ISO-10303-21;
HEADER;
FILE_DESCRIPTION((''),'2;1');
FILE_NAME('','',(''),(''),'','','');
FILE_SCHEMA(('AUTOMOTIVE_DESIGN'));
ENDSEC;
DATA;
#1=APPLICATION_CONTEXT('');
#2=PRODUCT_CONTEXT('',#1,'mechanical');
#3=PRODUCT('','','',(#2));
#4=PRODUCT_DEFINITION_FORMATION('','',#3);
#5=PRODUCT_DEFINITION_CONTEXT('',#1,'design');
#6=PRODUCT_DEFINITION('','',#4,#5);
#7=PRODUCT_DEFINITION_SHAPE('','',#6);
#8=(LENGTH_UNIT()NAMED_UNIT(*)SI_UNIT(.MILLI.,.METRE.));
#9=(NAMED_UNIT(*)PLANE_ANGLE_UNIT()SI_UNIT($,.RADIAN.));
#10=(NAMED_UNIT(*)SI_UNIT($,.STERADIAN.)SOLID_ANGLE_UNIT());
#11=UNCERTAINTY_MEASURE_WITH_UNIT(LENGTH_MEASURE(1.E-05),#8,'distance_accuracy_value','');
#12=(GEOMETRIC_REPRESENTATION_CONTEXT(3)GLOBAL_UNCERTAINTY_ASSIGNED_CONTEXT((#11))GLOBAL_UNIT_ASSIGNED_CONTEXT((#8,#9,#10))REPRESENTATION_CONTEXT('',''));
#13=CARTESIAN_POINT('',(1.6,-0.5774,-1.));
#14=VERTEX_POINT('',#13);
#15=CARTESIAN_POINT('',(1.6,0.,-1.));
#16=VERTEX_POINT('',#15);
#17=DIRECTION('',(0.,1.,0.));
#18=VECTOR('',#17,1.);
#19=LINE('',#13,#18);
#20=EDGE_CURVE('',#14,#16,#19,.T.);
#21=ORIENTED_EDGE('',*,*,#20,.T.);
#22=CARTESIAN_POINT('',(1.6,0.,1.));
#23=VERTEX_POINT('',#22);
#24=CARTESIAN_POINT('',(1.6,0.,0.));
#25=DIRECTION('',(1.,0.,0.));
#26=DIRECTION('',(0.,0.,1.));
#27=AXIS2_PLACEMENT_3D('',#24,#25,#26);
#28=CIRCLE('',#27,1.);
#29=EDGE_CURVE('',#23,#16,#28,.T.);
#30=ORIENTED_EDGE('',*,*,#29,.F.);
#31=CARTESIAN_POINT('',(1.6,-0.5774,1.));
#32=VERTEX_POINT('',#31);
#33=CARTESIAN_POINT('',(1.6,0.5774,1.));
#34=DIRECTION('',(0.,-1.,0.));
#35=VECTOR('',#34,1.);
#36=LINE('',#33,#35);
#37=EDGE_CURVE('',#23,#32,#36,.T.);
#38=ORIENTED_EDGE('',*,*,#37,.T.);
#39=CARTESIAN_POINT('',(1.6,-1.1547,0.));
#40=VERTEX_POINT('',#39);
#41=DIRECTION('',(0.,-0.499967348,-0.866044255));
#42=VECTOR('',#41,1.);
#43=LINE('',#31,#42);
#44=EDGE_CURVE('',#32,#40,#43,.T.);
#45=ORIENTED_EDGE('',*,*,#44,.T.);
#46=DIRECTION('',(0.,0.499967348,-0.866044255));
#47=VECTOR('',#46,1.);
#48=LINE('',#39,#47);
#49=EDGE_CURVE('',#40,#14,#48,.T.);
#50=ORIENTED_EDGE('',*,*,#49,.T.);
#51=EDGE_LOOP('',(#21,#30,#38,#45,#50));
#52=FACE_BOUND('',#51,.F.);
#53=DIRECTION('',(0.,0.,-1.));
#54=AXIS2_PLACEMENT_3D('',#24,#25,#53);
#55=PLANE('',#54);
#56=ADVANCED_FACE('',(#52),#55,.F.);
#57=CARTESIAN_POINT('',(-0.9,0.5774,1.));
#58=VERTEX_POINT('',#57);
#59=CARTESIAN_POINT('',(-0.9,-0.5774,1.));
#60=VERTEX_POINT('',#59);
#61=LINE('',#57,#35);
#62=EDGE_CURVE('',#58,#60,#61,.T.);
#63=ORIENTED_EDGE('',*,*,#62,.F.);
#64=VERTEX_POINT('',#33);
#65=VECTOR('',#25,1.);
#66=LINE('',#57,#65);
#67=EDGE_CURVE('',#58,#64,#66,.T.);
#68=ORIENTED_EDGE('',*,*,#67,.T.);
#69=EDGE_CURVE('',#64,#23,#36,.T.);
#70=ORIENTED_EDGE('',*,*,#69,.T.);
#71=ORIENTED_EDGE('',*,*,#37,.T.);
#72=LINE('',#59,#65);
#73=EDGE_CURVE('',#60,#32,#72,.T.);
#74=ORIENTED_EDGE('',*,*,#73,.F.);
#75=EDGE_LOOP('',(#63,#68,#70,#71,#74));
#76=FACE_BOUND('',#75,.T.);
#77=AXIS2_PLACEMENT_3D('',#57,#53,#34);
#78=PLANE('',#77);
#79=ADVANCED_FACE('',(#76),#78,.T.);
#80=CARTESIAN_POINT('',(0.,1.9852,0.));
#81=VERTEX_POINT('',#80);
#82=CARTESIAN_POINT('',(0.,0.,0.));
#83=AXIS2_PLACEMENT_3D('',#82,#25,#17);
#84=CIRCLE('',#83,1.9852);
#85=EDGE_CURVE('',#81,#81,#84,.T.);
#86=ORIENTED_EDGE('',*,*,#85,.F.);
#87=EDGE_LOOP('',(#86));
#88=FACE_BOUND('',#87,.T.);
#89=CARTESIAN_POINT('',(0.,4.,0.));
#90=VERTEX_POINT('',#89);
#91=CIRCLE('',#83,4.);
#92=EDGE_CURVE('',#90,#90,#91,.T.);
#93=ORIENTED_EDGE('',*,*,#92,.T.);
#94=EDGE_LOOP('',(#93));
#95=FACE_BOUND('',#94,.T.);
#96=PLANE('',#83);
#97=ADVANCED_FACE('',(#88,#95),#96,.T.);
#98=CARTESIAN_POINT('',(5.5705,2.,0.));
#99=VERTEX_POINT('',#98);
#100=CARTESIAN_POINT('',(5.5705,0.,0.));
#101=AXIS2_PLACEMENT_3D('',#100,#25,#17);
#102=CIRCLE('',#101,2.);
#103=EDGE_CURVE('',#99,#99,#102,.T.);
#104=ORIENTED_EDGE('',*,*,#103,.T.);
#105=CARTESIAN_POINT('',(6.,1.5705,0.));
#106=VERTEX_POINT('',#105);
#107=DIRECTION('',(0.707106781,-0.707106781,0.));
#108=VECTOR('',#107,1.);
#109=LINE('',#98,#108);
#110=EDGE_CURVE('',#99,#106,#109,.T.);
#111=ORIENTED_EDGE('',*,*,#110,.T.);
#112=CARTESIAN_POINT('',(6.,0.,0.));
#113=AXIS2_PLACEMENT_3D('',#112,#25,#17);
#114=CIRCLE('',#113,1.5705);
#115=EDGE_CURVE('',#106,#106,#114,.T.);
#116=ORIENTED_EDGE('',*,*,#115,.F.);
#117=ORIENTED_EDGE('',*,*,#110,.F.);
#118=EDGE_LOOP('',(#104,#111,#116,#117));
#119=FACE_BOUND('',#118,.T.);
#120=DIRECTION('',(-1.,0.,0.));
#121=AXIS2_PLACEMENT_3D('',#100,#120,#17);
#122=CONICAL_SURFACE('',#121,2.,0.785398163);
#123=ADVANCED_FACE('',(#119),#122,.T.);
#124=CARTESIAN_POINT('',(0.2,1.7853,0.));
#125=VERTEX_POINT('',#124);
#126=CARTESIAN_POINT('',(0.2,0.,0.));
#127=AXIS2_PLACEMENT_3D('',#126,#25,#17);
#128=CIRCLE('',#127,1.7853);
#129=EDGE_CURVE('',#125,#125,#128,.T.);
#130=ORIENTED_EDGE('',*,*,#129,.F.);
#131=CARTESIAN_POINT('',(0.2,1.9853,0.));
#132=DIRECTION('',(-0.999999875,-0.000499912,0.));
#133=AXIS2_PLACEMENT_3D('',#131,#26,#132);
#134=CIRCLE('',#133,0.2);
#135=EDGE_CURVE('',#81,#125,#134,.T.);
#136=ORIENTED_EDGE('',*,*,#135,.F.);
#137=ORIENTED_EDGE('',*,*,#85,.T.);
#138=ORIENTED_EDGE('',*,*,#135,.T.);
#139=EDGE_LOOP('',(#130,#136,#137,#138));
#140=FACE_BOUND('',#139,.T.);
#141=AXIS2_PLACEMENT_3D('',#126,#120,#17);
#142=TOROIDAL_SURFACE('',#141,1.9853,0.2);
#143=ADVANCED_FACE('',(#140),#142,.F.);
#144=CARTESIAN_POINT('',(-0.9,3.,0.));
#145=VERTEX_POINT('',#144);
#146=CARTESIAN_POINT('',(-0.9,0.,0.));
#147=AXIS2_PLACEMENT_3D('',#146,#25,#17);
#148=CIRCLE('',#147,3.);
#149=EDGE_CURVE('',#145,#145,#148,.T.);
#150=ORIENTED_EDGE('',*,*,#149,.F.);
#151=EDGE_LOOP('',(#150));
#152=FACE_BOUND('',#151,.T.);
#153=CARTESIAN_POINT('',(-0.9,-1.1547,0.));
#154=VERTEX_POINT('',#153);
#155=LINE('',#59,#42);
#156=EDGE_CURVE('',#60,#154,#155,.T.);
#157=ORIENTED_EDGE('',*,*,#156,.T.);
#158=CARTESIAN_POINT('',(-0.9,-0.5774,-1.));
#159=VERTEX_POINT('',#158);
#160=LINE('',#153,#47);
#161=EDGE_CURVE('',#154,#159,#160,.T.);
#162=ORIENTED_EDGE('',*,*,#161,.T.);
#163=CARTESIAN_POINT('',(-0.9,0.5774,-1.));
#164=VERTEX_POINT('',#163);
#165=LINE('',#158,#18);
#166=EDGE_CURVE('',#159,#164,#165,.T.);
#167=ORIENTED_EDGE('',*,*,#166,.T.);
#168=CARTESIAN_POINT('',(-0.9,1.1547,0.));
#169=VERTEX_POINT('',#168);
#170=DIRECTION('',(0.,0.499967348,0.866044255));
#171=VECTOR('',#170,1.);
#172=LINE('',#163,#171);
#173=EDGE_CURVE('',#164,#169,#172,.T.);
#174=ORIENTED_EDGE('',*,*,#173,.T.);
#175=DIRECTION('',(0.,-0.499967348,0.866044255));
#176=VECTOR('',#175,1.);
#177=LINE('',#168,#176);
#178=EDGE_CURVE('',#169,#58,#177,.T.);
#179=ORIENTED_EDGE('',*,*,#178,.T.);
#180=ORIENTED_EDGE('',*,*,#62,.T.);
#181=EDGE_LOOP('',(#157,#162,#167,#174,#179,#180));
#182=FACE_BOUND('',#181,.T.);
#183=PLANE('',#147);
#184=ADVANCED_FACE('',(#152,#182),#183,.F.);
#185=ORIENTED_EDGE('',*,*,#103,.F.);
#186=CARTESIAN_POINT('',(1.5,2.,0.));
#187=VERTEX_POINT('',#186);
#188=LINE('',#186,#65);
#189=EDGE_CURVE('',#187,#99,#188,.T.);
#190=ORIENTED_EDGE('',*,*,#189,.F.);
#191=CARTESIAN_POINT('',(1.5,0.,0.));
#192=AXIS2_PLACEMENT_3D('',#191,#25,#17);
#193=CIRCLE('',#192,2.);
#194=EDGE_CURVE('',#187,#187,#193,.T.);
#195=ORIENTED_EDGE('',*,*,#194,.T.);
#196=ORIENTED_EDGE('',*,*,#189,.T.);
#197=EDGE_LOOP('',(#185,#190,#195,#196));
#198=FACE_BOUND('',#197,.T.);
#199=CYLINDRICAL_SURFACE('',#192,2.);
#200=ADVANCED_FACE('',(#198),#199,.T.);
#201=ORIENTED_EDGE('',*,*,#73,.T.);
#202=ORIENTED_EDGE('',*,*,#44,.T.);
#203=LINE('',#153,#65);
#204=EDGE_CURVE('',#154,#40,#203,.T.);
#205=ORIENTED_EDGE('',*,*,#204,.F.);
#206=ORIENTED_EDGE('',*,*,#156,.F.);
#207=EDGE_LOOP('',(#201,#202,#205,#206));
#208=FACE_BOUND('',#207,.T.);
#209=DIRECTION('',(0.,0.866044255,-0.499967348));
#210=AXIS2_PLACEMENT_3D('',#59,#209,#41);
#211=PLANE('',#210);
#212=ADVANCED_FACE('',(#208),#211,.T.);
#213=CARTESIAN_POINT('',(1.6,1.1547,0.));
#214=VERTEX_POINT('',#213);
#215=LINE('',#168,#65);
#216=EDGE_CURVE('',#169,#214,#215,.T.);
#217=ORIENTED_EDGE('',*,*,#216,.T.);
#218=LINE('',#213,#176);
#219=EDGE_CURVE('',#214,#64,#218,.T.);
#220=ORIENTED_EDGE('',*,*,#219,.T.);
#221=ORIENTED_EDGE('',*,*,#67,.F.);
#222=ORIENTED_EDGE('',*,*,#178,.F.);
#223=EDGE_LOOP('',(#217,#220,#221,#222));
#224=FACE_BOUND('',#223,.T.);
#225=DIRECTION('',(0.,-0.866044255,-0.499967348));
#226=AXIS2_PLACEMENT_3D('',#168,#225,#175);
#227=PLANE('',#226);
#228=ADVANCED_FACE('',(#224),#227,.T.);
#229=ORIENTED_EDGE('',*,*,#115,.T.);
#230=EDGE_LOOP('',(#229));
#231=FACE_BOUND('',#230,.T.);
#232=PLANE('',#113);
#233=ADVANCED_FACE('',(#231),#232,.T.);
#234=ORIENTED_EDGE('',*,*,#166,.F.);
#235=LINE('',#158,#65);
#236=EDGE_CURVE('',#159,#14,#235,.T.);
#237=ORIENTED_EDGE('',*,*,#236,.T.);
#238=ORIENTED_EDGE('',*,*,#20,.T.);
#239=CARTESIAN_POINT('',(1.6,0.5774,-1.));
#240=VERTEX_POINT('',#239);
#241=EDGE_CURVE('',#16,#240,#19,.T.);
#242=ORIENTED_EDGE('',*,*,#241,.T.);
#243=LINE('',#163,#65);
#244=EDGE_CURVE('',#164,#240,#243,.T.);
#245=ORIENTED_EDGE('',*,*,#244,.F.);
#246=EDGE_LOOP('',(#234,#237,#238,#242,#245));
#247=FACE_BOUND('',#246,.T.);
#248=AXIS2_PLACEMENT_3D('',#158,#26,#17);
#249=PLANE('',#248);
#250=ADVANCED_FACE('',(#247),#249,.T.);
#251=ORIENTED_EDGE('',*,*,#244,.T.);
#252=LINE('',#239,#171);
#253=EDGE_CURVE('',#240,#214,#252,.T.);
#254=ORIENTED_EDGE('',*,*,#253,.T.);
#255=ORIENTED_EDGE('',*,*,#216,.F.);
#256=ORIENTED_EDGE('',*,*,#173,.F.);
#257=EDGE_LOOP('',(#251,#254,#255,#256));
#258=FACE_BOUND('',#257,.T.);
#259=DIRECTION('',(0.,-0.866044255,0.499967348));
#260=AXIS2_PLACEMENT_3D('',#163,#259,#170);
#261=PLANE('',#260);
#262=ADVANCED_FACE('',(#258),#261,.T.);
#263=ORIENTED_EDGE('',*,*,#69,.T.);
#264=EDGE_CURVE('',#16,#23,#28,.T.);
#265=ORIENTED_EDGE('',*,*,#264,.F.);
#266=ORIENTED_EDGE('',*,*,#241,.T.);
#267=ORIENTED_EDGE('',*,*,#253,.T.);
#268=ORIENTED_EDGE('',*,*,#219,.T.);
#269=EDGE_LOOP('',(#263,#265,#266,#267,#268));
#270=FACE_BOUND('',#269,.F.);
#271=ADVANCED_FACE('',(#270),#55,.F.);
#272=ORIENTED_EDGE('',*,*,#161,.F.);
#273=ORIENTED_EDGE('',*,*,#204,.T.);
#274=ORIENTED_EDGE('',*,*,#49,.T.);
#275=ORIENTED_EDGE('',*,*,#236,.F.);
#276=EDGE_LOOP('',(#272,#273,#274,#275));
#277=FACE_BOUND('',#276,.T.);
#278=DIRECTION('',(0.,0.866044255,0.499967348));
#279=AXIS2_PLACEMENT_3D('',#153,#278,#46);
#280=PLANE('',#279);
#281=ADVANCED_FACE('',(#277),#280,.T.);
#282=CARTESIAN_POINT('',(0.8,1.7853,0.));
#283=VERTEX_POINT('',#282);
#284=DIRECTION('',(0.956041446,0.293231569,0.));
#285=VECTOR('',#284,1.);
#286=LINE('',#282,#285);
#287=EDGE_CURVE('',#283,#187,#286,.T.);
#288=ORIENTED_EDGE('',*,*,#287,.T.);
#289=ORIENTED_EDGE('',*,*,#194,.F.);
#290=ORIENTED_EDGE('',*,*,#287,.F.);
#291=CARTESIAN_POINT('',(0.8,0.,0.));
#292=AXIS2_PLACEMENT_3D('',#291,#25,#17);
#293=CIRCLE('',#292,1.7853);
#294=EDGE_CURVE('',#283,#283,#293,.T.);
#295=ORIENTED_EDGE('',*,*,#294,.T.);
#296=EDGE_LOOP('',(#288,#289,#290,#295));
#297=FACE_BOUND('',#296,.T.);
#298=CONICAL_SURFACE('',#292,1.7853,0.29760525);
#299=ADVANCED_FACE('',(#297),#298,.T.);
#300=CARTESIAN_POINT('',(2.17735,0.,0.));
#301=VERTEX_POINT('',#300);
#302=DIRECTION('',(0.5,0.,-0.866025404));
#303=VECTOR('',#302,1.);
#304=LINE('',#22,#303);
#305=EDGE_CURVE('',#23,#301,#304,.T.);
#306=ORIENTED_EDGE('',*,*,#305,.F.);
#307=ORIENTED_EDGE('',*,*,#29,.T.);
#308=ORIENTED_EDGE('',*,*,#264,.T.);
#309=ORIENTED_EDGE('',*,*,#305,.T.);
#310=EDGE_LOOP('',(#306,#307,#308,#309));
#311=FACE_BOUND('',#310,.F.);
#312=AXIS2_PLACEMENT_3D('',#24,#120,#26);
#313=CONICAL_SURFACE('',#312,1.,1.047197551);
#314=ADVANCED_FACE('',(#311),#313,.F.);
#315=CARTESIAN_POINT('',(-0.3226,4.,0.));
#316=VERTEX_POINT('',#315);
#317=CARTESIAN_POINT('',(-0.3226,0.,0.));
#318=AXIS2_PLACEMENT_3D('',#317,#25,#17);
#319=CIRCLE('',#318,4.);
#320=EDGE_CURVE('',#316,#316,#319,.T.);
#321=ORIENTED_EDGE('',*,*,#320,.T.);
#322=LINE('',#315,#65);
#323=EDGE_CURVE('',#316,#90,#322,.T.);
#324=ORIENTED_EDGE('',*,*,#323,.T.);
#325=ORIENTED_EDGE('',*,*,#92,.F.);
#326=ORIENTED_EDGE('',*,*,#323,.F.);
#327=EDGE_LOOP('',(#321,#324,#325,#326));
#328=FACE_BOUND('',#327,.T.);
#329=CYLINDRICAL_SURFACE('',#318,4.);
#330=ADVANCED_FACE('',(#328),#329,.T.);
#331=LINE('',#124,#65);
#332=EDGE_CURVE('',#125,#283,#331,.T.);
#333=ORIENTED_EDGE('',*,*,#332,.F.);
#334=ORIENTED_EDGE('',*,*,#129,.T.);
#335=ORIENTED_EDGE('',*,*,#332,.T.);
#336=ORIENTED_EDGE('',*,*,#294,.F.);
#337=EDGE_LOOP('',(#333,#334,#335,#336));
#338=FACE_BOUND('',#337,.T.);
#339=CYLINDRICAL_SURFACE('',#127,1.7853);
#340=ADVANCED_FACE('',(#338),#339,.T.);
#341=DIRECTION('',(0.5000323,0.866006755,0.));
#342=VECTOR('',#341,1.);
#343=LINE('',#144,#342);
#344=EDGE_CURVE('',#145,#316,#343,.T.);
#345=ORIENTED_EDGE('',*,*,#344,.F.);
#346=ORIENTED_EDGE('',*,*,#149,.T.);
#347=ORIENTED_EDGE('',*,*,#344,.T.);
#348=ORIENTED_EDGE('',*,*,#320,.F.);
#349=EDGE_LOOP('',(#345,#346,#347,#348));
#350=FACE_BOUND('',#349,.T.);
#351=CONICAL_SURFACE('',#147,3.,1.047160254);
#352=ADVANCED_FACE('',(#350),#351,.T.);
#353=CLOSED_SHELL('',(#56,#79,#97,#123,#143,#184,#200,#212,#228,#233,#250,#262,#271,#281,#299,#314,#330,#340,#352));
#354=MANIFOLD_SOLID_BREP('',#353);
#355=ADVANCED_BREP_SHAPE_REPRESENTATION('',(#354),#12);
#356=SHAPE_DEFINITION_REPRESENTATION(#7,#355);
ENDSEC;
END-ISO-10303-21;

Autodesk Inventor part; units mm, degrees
ref_plane "YZ Plane" through (0, 0, 0) normal (1, 0, 0) x (0, 1, 0)
ref_plane "XZ Plane" through (0, 0, 0) normal (0, 1, 0) x (-1, 0, 0)
ref_plane "XY Plane" through (0, 0, 0) normal (0, 0, 1) x (1, 0, 0)
sketch "Sketch_1" plane through (0, 0, 0) normal (0, 0, 1) x (1, 0, 0)
  line L0 (6, 0) -> (-0.9, 0)
  line L1 (-0.9, 0) -> (-0.9, 3)
  line L2 (-0.9, 3) -> (-0.3226, 4)
  line L3 (-0.3226, 4) -> (0, 4)
  line L4 (0, 4) -> (0, 1.9852)
  arc A0 (0, 1.9852) -> (0.2, 1.7853) centre (0.2, 1.9853) ccw
  line L5 (0.2, 1.7853) -> (0.8, 1.7853)
  line L6 (0.8, 1.7853) -> (1.5, 2)
  line L7 (1.5, 2) -> (5.5705, 2)
  line L8 (5.5705, 2) -> (6, 1.5705)
  line L9 (6, 1.5705) -> (6, 0)
  line L10 (6, 0) -> (-0.9, 0)
revolve "Revolution1" add sketch "Sketch_1" angle 360 about axis through (6, 0, 0) along (1, 0, 0)
thread "Thread1" size "M4x0.7" class "6g" standard "ISO Metric profile" full length
sketch "Sketch2" plane through (-0.9, 0, 0) normal (-1, 0, 0) x (0, 0, 1)
  point P0 (0, 0)
hole "Hole1" at (-0.9, 0, 0) direction (1, 0, 0) diameter 2 depth 2.5 tip angle 120
sketch "Sketch_3" plane through (-0.9, 0, 0) normal (1, 0, 0) x (0, 0, -1)
  line L0 (-1, -0.5774) -> (0, -1.1547)
  line L1 (0, -1.1547) -> (1, -0.5774)
  line L2 (1, -0.5774) -> (1, 0.5774)
  line L3 (1, 0.5774) -> (0, 1.1547)
  line L4 (0, 1.1547) -> (-1, 0.5774)
  line L5 (-1, 0.5774) -> (-1, -0.5774)
extrude "Extrusion1" cut sketch "Sketch_3" along normal blind 2.5
properties part number "CBSTSR4-6" material "鋼、炭素鋼"
